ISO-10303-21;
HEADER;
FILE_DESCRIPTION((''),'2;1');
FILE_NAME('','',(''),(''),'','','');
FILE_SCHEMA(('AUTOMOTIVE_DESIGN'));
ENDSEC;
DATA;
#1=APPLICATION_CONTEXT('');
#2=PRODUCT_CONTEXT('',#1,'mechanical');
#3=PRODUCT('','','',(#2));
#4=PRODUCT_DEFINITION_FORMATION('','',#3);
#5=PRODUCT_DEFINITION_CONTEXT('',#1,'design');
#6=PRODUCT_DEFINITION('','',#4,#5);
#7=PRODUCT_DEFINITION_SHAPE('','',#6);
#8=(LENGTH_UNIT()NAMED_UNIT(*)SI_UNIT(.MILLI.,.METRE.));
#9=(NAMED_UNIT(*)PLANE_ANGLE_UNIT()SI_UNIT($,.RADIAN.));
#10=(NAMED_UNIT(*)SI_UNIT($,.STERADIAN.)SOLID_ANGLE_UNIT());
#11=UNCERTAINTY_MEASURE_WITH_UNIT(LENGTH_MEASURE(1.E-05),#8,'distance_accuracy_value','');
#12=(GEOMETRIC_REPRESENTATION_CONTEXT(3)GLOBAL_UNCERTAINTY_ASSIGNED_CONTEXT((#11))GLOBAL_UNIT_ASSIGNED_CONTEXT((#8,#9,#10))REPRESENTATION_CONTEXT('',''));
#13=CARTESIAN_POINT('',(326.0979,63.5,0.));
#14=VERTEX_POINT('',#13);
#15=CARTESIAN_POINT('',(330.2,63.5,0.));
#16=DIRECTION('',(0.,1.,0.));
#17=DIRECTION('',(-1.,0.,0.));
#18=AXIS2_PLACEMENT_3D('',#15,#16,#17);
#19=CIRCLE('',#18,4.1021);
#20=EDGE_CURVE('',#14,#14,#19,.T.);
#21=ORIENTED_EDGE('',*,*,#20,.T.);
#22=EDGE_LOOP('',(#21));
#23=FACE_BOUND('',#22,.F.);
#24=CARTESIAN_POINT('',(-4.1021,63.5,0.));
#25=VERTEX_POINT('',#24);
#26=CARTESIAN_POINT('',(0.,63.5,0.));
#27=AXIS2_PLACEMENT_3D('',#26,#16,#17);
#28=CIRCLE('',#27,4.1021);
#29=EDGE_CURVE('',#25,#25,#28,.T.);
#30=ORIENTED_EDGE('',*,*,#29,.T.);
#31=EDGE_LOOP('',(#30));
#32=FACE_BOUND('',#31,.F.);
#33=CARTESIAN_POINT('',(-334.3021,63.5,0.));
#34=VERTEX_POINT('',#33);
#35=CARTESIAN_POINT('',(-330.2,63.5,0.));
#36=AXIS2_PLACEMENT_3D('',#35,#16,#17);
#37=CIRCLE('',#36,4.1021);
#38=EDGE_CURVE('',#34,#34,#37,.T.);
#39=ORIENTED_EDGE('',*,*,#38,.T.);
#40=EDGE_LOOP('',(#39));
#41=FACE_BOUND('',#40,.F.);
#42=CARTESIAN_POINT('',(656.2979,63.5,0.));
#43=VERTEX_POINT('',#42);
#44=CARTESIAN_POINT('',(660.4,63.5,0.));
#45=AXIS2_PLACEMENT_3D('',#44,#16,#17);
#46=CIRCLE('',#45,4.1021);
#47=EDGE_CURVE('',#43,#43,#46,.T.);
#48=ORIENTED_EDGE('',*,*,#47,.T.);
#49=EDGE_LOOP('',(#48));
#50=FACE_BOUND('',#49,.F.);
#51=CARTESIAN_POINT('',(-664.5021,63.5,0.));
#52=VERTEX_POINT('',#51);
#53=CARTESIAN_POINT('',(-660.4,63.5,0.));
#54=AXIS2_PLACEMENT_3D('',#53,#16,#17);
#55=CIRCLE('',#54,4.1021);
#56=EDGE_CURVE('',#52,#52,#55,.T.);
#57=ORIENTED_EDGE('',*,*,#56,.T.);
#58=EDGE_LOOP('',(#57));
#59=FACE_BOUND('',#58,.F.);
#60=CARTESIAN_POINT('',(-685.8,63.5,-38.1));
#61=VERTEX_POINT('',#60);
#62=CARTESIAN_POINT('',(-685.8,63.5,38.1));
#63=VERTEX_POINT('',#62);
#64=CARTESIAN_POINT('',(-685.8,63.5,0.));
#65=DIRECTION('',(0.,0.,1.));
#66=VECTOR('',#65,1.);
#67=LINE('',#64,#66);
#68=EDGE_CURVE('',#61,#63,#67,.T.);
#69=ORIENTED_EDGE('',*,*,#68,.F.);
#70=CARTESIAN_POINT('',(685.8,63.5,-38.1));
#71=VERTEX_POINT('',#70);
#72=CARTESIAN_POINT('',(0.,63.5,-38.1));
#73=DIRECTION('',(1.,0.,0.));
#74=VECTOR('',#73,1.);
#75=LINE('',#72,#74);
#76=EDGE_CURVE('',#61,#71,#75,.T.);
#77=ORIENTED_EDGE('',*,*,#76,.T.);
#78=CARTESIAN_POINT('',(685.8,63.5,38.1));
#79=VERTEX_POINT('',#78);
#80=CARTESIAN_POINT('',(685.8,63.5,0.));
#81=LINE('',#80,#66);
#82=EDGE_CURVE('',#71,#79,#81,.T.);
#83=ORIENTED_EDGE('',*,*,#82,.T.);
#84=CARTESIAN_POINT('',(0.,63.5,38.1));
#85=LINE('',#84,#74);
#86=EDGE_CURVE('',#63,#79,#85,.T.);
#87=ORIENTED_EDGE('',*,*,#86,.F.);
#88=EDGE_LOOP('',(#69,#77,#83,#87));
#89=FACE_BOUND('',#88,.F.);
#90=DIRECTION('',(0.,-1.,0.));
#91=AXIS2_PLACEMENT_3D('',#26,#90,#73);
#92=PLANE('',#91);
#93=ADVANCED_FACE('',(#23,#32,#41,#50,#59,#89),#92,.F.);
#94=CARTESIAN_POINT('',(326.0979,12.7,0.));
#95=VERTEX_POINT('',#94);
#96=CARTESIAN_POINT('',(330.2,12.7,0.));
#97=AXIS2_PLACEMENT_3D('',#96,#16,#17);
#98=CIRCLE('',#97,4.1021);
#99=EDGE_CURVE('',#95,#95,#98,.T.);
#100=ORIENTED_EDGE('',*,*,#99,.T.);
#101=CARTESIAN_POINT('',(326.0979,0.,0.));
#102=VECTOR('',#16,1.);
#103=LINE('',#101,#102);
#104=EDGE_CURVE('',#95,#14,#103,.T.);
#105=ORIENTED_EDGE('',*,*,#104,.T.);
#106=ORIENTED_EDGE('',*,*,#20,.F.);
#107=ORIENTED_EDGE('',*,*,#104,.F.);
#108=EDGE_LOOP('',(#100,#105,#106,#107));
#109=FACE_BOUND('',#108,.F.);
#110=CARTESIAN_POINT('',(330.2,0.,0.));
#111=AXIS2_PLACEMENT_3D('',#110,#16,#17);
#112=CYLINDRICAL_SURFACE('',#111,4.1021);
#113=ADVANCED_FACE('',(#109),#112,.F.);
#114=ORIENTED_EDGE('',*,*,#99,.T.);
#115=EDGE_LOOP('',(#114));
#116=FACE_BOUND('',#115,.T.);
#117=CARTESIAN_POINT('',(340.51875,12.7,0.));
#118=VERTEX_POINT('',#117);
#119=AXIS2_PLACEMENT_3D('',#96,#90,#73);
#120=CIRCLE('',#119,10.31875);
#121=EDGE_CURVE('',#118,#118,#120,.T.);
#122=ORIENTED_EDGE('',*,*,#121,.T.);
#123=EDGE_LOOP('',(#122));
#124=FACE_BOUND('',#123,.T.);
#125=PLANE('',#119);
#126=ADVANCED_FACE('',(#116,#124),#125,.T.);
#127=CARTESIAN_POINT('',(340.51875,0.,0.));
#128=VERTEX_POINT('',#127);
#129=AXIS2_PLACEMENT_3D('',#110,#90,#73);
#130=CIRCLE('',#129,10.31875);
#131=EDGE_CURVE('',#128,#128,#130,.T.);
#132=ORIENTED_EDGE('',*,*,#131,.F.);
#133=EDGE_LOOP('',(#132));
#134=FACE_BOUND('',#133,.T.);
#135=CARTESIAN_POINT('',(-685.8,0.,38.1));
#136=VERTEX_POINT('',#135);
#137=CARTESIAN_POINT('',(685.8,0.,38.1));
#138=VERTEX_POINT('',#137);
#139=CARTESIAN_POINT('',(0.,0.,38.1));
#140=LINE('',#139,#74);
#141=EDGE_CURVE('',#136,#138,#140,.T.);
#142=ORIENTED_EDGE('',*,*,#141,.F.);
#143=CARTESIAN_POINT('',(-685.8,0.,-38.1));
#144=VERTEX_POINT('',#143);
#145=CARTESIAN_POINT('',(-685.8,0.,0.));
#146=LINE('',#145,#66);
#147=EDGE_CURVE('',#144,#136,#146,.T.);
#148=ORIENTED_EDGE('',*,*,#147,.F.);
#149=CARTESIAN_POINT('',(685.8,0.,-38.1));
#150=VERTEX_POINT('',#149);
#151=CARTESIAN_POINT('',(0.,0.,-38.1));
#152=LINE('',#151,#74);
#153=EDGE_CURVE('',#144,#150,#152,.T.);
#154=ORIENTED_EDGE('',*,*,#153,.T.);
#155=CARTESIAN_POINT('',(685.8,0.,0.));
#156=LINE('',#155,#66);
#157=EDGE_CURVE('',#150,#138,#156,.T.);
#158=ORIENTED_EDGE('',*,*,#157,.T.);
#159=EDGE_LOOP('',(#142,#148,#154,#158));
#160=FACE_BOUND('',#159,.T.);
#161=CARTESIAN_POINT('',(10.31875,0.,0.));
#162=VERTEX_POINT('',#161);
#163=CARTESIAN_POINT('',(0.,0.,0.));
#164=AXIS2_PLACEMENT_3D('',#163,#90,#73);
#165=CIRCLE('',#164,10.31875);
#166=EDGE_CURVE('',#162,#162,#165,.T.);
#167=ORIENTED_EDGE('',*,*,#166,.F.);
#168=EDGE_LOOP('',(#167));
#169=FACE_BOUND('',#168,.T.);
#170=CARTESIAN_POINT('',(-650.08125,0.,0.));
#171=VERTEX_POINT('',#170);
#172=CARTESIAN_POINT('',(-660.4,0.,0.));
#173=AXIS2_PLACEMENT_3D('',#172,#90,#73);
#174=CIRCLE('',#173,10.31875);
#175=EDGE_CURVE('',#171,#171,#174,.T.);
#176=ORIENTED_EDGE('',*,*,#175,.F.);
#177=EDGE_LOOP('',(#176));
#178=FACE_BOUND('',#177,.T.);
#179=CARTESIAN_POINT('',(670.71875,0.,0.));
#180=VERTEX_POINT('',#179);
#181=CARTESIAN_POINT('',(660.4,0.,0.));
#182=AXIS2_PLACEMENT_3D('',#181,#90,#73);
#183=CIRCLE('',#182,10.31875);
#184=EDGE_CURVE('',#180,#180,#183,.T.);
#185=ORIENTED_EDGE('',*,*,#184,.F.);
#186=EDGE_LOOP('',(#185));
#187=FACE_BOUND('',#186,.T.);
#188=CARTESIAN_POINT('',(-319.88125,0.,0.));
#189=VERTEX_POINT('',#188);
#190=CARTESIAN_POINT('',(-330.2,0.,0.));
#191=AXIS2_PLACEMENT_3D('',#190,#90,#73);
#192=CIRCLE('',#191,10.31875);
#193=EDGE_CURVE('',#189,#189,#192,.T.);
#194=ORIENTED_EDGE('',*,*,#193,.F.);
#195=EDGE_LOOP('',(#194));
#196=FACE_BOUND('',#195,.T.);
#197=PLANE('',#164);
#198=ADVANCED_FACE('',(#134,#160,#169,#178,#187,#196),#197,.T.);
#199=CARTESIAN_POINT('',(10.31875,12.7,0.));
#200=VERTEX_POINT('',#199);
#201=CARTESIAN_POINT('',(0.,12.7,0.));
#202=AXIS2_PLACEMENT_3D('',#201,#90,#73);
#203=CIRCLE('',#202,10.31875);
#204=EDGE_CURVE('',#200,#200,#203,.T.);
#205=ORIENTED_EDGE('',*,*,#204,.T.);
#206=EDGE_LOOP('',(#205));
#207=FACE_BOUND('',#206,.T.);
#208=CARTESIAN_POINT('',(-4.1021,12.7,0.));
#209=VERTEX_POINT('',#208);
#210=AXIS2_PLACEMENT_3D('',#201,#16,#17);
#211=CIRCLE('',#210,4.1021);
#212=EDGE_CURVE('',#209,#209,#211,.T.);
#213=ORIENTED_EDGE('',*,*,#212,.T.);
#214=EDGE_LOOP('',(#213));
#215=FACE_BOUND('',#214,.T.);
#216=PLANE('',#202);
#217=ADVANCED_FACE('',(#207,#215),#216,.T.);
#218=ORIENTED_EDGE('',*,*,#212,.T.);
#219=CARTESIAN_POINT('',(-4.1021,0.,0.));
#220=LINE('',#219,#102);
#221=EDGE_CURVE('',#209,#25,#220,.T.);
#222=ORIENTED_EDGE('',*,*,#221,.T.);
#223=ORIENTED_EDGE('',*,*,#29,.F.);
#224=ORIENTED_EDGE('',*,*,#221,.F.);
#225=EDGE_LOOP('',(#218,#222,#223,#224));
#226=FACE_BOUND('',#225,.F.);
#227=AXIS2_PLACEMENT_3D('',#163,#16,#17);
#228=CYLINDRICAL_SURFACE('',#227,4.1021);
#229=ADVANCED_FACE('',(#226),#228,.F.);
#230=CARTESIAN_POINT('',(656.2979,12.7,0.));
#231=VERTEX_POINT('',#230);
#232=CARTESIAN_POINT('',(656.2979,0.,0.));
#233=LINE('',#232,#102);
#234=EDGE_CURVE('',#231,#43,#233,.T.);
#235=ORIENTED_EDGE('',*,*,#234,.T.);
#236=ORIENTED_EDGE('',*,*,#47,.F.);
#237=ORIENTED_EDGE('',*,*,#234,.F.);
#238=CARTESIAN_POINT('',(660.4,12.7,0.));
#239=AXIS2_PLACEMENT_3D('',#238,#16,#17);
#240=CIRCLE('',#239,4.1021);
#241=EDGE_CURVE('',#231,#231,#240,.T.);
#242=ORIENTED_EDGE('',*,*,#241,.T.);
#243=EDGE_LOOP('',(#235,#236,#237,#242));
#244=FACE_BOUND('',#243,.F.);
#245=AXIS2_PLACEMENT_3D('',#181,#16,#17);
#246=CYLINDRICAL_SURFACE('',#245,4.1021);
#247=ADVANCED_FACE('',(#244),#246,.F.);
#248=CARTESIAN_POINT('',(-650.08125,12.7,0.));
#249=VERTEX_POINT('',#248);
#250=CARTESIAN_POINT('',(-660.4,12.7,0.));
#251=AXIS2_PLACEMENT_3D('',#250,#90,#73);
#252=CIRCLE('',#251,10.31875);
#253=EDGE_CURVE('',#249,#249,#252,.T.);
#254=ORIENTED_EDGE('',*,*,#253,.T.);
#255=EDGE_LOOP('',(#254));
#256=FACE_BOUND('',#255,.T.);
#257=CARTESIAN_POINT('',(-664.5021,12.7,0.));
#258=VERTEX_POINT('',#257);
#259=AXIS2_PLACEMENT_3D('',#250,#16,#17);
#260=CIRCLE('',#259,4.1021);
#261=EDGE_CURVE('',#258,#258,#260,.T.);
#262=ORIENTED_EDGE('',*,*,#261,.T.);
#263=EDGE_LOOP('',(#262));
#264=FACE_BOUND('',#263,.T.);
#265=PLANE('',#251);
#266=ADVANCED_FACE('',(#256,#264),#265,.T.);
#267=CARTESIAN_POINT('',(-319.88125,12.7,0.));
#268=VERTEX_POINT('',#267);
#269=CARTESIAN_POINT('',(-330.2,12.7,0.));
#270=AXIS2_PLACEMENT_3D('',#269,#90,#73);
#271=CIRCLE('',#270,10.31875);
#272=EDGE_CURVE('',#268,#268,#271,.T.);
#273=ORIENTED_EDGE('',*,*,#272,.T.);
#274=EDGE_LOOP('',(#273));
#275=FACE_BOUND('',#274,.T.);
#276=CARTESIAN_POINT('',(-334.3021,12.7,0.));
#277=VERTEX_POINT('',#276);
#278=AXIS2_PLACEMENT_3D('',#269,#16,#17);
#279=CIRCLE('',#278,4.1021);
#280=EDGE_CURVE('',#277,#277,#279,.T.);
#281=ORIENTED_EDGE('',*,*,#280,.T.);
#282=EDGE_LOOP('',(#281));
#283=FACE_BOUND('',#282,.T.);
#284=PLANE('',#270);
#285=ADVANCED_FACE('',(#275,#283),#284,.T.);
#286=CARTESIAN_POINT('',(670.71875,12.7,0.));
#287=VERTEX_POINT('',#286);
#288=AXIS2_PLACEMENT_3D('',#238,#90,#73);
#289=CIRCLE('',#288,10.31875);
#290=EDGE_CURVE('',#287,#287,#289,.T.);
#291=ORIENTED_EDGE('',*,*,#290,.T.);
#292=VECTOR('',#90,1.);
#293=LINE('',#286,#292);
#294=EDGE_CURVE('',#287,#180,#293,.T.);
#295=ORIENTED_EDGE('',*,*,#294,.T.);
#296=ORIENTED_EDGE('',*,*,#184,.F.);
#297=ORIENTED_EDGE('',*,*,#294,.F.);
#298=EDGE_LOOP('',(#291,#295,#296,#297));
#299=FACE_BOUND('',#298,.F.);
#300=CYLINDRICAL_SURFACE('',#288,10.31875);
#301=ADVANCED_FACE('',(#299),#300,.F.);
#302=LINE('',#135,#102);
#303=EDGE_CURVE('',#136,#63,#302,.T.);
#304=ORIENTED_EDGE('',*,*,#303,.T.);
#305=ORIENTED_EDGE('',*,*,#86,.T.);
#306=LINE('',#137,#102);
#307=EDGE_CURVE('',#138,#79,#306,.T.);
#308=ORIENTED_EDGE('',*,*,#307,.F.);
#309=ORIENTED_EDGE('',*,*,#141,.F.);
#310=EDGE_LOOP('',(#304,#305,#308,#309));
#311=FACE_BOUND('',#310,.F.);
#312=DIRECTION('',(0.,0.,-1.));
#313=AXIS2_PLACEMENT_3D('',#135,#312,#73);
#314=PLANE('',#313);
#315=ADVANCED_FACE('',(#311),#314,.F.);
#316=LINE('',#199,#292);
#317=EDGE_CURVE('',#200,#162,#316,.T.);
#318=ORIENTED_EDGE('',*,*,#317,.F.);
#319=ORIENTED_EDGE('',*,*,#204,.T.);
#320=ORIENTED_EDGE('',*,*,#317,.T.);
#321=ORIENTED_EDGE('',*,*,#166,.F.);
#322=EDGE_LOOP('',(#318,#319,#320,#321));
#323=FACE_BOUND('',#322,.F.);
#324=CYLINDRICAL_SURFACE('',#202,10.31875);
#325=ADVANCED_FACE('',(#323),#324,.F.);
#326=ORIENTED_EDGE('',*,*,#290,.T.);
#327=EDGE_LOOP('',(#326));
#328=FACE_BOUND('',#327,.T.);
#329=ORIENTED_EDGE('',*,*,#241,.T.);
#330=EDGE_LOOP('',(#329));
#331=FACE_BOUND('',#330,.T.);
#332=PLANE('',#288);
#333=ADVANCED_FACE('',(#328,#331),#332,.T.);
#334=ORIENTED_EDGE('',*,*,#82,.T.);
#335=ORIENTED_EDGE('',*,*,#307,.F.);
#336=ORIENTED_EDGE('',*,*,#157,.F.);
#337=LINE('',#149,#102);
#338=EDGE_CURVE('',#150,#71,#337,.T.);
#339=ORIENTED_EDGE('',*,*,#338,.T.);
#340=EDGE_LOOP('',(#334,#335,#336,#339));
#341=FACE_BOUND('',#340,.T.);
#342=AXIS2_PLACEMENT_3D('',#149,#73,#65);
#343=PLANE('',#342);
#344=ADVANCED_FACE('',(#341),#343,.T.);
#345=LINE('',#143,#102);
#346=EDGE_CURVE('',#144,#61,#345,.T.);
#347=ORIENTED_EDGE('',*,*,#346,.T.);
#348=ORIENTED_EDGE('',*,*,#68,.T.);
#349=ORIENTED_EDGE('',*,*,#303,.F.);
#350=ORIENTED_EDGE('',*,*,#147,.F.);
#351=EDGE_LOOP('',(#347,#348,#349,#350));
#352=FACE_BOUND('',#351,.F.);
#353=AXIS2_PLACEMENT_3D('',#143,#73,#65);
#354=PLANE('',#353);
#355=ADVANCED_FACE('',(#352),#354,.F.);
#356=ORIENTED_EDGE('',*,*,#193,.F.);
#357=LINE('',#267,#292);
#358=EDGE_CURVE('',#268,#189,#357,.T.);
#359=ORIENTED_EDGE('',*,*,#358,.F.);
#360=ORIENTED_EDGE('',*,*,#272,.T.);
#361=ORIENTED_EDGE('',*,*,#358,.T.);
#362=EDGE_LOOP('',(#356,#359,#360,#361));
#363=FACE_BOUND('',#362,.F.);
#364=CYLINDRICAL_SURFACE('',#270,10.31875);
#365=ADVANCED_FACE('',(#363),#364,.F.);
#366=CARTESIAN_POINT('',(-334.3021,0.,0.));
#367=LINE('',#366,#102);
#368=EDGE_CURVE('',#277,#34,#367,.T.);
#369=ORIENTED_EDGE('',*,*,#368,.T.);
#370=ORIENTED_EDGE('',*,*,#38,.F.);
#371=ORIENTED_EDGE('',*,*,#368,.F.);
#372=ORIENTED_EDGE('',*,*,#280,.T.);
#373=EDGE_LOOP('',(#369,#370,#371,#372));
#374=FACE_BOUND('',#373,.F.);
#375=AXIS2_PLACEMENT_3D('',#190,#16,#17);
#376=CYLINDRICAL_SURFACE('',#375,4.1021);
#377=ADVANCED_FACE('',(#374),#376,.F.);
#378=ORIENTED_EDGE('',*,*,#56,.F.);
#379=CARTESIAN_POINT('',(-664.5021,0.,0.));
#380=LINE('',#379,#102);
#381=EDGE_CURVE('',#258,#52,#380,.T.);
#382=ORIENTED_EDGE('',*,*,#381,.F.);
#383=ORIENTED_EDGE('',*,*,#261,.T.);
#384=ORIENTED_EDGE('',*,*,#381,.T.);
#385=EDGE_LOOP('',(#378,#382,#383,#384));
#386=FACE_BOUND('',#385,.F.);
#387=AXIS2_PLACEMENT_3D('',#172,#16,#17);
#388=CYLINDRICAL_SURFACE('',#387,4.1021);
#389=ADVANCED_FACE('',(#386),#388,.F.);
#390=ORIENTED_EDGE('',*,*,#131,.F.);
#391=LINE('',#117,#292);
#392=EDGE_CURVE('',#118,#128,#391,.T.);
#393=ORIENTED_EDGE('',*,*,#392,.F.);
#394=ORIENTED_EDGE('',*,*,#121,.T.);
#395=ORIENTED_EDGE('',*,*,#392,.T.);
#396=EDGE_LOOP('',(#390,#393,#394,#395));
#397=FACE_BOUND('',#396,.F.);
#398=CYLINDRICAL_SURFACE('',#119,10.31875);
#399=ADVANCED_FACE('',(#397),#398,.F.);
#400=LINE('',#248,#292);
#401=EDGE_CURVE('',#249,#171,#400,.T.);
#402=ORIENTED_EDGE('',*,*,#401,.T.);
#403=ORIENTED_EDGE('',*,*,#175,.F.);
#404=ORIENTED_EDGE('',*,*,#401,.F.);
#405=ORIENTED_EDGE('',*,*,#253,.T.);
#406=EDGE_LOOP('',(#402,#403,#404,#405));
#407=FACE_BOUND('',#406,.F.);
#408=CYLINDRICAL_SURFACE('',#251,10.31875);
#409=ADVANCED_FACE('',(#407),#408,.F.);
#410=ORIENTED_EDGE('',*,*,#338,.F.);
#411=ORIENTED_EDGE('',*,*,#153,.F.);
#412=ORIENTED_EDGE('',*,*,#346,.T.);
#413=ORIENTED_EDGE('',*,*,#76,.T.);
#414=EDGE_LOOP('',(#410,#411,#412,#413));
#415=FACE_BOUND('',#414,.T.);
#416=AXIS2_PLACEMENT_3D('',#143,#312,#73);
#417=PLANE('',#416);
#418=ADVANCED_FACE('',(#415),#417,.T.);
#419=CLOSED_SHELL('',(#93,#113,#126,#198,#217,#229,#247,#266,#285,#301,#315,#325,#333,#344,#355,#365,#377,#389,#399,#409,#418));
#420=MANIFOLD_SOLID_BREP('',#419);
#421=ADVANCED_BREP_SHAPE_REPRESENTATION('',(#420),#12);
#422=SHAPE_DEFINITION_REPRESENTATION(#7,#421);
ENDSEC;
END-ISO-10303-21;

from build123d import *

# Parameters (mm, degrees)
F0_W           = 1371.6
F0_H           = 76.2
F1_DEPTH       = 63.5
F2_D           = 8.2042
F2_CBORE_D     = 20.6375
F2_CBORE_DEPTH = 12.7


with BuildPart() as f1:
    # F0 (on Front) → F1 (new body)
    with BuildSketch(Plane.XZ):
        Rectangle(F0_W, F0_H)
    extrude(amount=-F1_DEPTH)

    # F2 (through all)
    with Locations(Plane.XZ):
        with Locations((-660.4, 0), (-330.2, 0), (0, 0), (330.2, 0), (660.4, 0)):
            CounterBoreHole(F2_D / 2, F2_CBORE_D / 2, F2_CBORE_DEPTH)


solid = f1.part
